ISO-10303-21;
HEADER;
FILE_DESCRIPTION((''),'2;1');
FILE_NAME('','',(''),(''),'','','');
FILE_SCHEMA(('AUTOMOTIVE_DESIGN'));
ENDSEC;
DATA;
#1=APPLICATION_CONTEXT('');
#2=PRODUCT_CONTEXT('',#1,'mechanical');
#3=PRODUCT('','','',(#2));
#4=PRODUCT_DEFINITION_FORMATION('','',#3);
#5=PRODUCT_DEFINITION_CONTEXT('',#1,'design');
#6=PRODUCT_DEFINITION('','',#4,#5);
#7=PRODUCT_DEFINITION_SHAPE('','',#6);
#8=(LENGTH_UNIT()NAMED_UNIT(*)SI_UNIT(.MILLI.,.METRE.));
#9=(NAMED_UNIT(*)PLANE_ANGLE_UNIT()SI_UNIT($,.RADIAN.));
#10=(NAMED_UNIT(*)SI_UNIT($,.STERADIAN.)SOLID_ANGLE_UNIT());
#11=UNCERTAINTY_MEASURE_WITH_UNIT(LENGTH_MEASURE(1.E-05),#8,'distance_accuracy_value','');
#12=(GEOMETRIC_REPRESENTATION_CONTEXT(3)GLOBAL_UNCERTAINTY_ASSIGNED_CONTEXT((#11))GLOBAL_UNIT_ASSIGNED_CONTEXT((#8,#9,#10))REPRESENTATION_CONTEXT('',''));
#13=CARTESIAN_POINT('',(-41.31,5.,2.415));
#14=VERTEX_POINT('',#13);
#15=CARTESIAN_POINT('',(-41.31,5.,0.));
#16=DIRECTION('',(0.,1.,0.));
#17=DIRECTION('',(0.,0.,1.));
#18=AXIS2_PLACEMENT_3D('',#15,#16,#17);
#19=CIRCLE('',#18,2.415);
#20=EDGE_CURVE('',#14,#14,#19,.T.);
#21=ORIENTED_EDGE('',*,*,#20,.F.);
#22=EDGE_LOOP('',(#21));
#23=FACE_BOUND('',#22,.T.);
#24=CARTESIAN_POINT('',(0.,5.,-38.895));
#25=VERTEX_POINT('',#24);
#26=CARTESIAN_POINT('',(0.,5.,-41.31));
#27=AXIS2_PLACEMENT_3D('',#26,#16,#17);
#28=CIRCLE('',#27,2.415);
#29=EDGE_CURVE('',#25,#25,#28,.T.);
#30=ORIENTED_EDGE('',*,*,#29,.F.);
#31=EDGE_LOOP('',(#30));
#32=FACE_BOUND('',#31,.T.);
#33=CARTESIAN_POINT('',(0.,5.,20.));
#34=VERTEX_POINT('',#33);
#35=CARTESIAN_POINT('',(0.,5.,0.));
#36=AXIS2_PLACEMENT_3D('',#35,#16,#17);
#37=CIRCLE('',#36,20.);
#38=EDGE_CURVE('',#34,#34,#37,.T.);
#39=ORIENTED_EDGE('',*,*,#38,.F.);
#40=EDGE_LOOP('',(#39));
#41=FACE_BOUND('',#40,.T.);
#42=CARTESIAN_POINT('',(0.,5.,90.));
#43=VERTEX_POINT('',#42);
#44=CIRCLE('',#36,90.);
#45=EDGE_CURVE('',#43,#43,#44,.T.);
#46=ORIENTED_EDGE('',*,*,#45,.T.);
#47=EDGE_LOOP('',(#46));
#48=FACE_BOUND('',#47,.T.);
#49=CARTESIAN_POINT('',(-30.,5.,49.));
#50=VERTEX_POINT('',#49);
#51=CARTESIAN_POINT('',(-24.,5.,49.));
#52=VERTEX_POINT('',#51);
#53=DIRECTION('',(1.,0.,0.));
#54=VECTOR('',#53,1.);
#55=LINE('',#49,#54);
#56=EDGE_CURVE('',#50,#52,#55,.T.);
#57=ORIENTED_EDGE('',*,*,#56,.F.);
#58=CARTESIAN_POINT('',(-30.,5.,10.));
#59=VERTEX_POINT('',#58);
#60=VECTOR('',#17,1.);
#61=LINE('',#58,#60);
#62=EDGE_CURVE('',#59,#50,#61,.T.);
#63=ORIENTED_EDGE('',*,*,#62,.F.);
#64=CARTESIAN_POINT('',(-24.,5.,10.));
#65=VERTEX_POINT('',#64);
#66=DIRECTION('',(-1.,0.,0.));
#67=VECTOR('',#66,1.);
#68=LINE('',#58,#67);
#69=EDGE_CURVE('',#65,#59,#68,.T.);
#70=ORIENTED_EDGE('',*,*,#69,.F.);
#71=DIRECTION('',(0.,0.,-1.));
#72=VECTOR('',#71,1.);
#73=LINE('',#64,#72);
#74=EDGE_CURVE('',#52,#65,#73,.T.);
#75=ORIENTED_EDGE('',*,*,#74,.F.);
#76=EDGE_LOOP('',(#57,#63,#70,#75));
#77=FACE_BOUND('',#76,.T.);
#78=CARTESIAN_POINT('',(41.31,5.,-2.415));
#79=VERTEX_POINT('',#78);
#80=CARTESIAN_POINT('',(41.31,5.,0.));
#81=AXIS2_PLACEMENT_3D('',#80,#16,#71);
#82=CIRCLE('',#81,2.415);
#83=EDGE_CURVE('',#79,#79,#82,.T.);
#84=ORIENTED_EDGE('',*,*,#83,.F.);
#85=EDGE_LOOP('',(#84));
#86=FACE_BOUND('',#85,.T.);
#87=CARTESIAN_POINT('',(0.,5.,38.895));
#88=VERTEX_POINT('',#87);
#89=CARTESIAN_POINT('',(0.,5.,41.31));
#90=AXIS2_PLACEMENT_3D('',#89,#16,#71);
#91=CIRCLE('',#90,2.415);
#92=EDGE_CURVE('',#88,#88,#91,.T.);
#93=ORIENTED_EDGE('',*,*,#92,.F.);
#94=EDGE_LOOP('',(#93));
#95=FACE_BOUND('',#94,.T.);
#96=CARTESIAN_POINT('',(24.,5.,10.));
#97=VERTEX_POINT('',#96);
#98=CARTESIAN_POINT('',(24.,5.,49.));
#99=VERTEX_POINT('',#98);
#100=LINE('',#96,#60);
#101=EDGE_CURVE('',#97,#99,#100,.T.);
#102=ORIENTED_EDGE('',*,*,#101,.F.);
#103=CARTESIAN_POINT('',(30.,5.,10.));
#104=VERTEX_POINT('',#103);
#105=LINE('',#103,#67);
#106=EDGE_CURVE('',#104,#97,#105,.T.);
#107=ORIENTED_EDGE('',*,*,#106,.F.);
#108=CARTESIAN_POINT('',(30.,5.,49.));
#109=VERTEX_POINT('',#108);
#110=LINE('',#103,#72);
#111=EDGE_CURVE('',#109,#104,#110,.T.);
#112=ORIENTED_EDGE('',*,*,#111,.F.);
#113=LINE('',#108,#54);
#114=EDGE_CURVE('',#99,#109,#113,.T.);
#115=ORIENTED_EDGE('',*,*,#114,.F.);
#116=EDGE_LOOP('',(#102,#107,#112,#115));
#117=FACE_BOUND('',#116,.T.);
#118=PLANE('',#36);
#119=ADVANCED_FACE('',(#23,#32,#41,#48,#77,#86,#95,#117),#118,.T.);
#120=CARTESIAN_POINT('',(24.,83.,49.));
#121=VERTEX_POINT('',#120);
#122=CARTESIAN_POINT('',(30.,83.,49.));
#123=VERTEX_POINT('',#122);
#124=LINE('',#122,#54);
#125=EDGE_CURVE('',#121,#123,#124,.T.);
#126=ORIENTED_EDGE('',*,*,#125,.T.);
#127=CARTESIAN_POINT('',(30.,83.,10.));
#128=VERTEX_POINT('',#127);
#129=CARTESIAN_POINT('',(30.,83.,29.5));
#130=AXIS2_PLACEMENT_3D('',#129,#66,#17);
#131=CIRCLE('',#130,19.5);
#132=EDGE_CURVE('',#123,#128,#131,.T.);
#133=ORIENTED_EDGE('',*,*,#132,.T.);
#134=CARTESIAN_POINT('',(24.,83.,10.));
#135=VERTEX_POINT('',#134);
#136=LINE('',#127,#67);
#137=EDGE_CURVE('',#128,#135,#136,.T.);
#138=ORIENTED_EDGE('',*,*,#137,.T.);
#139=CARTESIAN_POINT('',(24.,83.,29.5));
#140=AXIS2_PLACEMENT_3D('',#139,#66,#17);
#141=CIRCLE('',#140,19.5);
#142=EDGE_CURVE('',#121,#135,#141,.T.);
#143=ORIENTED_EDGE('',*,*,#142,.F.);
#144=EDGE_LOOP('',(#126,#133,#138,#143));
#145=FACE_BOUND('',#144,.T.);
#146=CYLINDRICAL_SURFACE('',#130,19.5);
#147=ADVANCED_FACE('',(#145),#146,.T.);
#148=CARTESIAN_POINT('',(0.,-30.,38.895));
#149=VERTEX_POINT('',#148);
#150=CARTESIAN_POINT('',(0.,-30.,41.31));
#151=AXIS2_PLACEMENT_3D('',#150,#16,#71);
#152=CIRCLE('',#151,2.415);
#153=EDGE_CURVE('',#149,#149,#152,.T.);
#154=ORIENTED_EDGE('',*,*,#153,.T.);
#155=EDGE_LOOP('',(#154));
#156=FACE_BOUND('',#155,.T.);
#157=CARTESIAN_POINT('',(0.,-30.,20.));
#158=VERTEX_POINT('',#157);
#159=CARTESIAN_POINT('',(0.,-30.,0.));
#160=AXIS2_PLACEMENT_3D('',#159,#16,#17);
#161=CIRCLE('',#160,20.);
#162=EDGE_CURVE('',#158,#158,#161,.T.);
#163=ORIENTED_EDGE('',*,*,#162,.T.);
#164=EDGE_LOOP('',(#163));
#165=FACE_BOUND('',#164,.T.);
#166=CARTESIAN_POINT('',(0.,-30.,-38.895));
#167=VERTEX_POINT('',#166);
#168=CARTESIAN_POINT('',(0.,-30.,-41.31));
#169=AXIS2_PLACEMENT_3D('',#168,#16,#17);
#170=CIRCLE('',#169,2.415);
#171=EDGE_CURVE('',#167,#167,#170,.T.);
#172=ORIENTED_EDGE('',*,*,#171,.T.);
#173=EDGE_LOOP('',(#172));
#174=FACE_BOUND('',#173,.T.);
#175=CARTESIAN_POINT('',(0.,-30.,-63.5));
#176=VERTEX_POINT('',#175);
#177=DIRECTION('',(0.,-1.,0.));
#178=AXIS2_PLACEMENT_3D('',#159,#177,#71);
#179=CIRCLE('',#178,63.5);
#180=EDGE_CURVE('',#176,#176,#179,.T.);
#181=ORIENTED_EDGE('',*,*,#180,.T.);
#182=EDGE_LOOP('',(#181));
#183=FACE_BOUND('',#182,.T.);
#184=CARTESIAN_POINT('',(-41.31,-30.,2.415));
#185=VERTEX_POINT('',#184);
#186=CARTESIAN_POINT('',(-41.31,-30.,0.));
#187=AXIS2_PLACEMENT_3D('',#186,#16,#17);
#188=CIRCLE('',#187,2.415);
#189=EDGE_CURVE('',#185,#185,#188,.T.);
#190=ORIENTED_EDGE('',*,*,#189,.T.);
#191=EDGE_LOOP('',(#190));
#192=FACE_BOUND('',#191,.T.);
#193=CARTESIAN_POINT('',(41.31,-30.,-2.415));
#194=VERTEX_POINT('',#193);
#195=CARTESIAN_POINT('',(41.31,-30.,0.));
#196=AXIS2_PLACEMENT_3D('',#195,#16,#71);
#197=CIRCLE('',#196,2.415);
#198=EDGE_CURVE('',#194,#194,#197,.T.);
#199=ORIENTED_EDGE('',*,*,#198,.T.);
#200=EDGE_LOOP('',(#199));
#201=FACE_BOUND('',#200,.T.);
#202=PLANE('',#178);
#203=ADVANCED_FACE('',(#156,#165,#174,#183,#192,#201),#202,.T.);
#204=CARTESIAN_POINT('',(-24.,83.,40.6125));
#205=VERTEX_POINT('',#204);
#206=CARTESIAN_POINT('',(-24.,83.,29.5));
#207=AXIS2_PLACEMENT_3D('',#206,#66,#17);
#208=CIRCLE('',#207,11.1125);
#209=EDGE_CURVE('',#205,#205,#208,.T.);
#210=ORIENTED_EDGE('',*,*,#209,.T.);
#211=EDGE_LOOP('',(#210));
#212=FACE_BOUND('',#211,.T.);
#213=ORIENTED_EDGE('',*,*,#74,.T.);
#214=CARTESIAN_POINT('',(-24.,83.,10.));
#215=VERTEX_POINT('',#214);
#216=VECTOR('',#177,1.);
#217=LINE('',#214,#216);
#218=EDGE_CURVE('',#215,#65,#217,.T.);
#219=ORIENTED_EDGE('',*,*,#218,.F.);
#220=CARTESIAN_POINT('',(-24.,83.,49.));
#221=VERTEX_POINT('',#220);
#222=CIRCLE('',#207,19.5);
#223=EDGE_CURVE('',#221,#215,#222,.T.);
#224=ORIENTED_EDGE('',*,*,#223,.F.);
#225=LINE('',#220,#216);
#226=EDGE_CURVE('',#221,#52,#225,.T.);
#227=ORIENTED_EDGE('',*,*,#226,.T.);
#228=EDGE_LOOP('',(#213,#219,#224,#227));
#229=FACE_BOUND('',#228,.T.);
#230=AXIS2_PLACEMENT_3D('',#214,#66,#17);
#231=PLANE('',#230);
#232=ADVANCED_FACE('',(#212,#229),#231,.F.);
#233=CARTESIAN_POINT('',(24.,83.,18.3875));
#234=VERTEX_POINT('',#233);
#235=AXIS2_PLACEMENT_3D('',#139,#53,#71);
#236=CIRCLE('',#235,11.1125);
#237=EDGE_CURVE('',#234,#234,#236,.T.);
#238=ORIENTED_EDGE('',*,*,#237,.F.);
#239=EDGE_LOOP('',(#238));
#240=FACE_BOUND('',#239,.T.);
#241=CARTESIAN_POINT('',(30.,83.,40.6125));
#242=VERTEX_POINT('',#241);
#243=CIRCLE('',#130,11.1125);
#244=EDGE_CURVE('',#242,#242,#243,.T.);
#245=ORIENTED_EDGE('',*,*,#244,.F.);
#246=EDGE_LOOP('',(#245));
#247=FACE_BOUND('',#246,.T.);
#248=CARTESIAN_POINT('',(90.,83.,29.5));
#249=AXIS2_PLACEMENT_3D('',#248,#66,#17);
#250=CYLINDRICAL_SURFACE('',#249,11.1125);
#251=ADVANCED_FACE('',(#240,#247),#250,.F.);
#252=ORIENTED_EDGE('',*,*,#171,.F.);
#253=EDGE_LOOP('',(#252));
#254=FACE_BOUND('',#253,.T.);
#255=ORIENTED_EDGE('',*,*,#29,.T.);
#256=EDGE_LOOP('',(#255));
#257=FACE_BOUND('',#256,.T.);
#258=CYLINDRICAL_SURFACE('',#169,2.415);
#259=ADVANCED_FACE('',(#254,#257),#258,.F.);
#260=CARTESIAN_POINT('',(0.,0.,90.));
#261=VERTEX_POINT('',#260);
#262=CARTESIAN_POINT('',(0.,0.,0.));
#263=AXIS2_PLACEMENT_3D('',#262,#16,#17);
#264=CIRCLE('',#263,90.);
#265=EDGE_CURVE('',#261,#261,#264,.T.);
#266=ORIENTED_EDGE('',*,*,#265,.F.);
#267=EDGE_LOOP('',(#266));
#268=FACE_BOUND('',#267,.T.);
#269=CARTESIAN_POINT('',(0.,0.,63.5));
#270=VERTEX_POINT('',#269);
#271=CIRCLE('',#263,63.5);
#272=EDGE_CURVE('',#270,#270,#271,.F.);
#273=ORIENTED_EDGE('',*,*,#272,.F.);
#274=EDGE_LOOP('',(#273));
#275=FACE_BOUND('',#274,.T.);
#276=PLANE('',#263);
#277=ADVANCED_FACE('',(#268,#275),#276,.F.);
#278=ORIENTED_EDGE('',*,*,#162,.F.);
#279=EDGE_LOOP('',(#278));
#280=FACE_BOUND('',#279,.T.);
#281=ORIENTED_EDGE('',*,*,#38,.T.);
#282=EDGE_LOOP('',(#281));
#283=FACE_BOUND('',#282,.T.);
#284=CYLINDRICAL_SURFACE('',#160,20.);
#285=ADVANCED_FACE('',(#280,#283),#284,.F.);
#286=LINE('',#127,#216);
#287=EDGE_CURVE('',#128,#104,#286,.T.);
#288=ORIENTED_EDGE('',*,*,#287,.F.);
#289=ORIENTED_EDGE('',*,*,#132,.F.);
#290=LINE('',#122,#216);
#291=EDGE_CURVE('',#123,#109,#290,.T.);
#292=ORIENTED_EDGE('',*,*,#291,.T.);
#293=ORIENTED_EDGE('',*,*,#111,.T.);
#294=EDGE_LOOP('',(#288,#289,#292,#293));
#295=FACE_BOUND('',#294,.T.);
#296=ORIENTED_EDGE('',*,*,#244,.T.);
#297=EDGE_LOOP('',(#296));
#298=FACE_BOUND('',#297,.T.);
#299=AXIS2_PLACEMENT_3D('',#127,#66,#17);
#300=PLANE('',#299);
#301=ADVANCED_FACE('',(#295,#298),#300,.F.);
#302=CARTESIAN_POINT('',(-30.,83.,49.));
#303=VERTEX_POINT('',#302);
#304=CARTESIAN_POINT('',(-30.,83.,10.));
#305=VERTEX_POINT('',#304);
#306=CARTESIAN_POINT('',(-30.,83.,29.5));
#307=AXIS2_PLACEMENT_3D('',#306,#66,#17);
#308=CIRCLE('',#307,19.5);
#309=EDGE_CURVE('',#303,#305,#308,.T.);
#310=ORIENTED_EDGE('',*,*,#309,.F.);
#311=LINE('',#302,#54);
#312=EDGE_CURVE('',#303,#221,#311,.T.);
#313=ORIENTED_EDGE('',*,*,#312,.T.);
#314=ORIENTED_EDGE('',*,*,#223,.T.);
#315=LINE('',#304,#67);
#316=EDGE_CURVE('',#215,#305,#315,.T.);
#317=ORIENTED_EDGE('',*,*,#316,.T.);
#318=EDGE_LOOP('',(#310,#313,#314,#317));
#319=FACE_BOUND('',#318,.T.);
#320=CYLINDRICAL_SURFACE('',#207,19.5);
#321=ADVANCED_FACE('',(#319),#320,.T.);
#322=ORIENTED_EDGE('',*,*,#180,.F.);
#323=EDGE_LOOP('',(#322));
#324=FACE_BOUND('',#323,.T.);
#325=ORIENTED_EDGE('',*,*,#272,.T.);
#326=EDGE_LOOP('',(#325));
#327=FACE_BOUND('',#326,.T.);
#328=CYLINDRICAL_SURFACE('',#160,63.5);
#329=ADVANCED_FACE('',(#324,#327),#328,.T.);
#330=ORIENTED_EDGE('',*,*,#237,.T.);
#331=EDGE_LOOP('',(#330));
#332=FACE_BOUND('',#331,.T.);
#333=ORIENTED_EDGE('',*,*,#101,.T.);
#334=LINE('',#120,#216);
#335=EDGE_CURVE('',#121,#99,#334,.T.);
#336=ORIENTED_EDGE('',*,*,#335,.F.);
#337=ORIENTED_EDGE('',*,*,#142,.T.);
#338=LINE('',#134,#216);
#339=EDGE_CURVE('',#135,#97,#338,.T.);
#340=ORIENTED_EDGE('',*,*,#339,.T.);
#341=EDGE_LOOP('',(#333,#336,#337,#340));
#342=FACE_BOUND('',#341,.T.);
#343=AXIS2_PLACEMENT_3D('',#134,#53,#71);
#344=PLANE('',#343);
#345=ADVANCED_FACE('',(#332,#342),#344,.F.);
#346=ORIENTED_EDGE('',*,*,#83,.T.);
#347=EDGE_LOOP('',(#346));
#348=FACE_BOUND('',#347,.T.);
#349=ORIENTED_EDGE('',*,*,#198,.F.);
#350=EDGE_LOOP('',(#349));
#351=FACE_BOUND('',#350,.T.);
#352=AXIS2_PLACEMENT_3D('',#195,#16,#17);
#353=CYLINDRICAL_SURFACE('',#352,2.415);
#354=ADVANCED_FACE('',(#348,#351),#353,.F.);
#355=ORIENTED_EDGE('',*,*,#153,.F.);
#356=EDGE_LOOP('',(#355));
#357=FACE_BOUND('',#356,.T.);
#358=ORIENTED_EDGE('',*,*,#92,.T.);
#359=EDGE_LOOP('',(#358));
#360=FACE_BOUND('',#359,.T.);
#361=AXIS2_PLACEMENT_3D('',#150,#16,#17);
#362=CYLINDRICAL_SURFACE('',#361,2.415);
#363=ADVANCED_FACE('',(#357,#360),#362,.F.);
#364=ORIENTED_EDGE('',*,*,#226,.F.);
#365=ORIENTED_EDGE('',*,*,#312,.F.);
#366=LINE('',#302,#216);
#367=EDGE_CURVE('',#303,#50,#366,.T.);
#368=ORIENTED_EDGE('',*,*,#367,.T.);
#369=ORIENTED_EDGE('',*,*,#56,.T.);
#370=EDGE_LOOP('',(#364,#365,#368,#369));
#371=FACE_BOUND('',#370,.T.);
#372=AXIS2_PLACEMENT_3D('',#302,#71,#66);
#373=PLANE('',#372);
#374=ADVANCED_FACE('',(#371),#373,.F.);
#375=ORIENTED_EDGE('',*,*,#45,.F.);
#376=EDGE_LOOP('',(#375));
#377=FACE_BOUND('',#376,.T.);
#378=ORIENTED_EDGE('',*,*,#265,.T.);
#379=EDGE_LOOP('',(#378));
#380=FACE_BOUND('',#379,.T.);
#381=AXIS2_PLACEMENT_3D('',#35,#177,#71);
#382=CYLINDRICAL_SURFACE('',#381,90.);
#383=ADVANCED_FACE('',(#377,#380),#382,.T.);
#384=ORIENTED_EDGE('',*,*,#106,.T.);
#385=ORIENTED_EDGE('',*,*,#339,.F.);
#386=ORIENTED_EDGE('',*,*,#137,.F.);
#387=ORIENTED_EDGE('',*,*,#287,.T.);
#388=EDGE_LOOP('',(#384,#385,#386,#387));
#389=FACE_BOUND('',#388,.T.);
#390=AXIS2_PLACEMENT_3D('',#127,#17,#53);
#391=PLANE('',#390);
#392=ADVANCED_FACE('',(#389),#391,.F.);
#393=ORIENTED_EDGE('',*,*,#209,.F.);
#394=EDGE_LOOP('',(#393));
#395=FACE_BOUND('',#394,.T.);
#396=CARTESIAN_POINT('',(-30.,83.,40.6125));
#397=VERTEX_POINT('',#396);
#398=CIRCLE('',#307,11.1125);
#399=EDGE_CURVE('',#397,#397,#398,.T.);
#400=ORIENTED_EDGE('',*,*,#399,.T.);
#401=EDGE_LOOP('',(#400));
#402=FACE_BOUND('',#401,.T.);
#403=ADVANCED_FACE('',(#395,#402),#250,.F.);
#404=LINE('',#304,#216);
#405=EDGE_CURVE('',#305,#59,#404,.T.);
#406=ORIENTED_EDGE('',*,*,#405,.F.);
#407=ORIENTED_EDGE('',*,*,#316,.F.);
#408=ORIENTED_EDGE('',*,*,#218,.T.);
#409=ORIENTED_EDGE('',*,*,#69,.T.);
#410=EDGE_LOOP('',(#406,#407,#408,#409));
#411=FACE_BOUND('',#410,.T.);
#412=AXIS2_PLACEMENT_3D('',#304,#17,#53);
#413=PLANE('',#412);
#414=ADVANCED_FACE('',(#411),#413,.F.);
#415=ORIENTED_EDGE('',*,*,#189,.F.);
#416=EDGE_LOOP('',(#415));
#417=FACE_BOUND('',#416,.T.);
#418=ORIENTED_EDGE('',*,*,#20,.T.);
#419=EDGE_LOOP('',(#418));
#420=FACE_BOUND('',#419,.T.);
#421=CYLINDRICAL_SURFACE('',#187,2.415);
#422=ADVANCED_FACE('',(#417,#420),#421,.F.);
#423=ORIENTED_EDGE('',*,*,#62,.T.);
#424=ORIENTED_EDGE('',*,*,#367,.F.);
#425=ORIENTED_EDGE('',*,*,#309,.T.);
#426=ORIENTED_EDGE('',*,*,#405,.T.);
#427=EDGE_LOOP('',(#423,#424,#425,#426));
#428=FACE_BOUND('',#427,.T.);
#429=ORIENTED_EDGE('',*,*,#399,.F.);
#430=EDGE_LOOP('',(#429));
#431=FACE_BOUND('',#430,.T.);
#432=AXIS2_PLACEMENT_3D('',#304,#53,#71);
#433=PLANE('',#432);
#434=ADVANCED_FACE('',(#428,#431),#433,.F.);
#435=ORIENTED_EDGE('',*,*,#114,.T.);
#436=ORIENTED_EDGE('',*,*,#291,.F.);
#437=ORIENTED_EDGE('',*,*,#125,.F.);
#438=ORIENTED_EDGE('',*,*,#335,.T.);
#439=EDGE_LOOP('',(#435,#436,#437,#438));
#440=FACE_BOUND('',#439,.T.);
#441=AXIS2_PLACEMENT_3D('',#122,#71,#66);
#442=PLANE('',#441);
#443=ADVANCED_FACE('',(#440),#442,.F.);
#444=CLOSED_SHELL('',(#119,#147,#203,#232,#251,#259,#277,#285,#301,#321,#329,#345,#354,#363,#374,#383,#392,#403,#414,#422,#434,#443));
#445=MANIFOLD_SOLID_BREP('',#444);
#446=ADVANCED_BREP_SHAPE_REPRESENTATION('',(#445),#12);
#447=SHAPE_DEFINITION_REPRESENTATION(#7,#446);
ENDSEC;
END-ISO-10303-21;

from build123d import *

# Parameters (mm, degrees)
SKETCH_1_R          = 90
EXTRUDE_2_DEPTH     = 5
SKETCH_2_R          = 63.5
EXTRUDE_3_DEPTH     = 30
SKETCH_3_R          = 2.415
CUT_EXTRUDE_1_DEPTH = 36
SKETCH_4_W          = 6
SKETCH_4_H          = 39
EXTRUDE_4_DEPTH     = 78
EXTRUDE_START       = -6
EXTRUDE_5_DEPTH     = 6
EXTRUDE_6_DEPTH     = 6
SKETCH_8_R          = 11.1125
CUT_EXTRUDE_3_DEPTH = 121
SKETCH2_R           = 20
CUT_EXTRUDE1_DEPTH  = 36


with BuildPart() as part:
    # 草圖1 → 填料-伸長2 (new body)
    with BuildSketch(Plane(origin=(0, 0, 0), x_dir=(1, 0, 0), z_dir=(0, 1, 0))):
        Circle(SKETCH_1_R)
    extrude(amount=EXTRUDE_2_DEPTH)

    # 草圖2 → 填料-伸長3 (add)
    with BuildSketch(Plane.XZ):
        Circle(SKETCH_2_R)
    extrude(amount=EXTRUDE_3_DEPTH)

    # 草圖3 → 除料-伸長1 (cut, through all)
    with BuildSketch(Plane(origin=(0, 5, 0), x_dir=(1, 0, 0), z_dir=(0, 1, 0))):
        with Locations((0, 41.31)):
            Circle(SKETCH_3_R)
        with Locations((0, -41.31)):
            Circle(SKETCH_3_R)
        with Locations((-41.31, 0)):
            Circle(SKETCH_3_R)
        with Locations((41.31, 0)):
            Circle(SKETCH_3_R)
    extrude(amount=-CUT_EXTRUDE_1_DEPTH, mode=Mode.SUBTRACT)

    # 草圖4 → 填料-伸長4 (add)
    with BuildSketch(Plane(origin=(0, 5, 0), x_dir=(1, 0, 0), z_dir=(0, 1, 0))):
        with Locations((-27, -29.5)):
            Rectangle(SKETCH_4_W, SKETCH_4_H)
        with Locations((27, -29.5)):
            Rectangle(SKETCH_4_W, SKETCH_4_H)
    extrude(amount=EXTRUDE_4_DEPTH)

    # 草圖5 → 填料-伸長5 (add)
    with BuildSketch(Plane.ZY.offset(30).offset(EXTRUDE_START)):
        with BuildLine():
            Line((10, 83), (49, 83))
            ThreePointArc((49, 83), (29.5, 102.5), (10, 83))
        make_face()
    extrude(amount=EXTRUDE_5_DEPTH)

    # 草圖7 → 填料-伸長6 (add)
    with BuildSketch(Plane.ZY.offset(-24)):
        with BuildLine():
            Line((10, 83), (49, 83))
            ThreePointArc((49, 83), (29.5, 102.5), (10, 83))
        make_face()
    extrude(amount=-EXTRUDE_6_DEPTH)

    # 草圖8 → 除料-伸長3 (cut, through all)
    with BuildSketch(Plane.ZY.offset(30)):
        with Locations((29.5, 83)):
            Circle(SKETCH_8_R)
    extrude(amount=-CUT_EXTRUDE_3_DEPTH, mode=Mode.SUBTRACT)

    # Sketch2 → Cut-Extrude1 (cut, through all)
    with BuildSketch(Plane(origin=(0, 5, 0), x_dir=(1, 0, 0), z_dir=(0, 1, 0))):
        Circle(SKETCH2_R)
    extrude(amount=-CUT_EXTRUDE1_DEPTH, mode=Mode.SUBTRACT)


solid = part.part
